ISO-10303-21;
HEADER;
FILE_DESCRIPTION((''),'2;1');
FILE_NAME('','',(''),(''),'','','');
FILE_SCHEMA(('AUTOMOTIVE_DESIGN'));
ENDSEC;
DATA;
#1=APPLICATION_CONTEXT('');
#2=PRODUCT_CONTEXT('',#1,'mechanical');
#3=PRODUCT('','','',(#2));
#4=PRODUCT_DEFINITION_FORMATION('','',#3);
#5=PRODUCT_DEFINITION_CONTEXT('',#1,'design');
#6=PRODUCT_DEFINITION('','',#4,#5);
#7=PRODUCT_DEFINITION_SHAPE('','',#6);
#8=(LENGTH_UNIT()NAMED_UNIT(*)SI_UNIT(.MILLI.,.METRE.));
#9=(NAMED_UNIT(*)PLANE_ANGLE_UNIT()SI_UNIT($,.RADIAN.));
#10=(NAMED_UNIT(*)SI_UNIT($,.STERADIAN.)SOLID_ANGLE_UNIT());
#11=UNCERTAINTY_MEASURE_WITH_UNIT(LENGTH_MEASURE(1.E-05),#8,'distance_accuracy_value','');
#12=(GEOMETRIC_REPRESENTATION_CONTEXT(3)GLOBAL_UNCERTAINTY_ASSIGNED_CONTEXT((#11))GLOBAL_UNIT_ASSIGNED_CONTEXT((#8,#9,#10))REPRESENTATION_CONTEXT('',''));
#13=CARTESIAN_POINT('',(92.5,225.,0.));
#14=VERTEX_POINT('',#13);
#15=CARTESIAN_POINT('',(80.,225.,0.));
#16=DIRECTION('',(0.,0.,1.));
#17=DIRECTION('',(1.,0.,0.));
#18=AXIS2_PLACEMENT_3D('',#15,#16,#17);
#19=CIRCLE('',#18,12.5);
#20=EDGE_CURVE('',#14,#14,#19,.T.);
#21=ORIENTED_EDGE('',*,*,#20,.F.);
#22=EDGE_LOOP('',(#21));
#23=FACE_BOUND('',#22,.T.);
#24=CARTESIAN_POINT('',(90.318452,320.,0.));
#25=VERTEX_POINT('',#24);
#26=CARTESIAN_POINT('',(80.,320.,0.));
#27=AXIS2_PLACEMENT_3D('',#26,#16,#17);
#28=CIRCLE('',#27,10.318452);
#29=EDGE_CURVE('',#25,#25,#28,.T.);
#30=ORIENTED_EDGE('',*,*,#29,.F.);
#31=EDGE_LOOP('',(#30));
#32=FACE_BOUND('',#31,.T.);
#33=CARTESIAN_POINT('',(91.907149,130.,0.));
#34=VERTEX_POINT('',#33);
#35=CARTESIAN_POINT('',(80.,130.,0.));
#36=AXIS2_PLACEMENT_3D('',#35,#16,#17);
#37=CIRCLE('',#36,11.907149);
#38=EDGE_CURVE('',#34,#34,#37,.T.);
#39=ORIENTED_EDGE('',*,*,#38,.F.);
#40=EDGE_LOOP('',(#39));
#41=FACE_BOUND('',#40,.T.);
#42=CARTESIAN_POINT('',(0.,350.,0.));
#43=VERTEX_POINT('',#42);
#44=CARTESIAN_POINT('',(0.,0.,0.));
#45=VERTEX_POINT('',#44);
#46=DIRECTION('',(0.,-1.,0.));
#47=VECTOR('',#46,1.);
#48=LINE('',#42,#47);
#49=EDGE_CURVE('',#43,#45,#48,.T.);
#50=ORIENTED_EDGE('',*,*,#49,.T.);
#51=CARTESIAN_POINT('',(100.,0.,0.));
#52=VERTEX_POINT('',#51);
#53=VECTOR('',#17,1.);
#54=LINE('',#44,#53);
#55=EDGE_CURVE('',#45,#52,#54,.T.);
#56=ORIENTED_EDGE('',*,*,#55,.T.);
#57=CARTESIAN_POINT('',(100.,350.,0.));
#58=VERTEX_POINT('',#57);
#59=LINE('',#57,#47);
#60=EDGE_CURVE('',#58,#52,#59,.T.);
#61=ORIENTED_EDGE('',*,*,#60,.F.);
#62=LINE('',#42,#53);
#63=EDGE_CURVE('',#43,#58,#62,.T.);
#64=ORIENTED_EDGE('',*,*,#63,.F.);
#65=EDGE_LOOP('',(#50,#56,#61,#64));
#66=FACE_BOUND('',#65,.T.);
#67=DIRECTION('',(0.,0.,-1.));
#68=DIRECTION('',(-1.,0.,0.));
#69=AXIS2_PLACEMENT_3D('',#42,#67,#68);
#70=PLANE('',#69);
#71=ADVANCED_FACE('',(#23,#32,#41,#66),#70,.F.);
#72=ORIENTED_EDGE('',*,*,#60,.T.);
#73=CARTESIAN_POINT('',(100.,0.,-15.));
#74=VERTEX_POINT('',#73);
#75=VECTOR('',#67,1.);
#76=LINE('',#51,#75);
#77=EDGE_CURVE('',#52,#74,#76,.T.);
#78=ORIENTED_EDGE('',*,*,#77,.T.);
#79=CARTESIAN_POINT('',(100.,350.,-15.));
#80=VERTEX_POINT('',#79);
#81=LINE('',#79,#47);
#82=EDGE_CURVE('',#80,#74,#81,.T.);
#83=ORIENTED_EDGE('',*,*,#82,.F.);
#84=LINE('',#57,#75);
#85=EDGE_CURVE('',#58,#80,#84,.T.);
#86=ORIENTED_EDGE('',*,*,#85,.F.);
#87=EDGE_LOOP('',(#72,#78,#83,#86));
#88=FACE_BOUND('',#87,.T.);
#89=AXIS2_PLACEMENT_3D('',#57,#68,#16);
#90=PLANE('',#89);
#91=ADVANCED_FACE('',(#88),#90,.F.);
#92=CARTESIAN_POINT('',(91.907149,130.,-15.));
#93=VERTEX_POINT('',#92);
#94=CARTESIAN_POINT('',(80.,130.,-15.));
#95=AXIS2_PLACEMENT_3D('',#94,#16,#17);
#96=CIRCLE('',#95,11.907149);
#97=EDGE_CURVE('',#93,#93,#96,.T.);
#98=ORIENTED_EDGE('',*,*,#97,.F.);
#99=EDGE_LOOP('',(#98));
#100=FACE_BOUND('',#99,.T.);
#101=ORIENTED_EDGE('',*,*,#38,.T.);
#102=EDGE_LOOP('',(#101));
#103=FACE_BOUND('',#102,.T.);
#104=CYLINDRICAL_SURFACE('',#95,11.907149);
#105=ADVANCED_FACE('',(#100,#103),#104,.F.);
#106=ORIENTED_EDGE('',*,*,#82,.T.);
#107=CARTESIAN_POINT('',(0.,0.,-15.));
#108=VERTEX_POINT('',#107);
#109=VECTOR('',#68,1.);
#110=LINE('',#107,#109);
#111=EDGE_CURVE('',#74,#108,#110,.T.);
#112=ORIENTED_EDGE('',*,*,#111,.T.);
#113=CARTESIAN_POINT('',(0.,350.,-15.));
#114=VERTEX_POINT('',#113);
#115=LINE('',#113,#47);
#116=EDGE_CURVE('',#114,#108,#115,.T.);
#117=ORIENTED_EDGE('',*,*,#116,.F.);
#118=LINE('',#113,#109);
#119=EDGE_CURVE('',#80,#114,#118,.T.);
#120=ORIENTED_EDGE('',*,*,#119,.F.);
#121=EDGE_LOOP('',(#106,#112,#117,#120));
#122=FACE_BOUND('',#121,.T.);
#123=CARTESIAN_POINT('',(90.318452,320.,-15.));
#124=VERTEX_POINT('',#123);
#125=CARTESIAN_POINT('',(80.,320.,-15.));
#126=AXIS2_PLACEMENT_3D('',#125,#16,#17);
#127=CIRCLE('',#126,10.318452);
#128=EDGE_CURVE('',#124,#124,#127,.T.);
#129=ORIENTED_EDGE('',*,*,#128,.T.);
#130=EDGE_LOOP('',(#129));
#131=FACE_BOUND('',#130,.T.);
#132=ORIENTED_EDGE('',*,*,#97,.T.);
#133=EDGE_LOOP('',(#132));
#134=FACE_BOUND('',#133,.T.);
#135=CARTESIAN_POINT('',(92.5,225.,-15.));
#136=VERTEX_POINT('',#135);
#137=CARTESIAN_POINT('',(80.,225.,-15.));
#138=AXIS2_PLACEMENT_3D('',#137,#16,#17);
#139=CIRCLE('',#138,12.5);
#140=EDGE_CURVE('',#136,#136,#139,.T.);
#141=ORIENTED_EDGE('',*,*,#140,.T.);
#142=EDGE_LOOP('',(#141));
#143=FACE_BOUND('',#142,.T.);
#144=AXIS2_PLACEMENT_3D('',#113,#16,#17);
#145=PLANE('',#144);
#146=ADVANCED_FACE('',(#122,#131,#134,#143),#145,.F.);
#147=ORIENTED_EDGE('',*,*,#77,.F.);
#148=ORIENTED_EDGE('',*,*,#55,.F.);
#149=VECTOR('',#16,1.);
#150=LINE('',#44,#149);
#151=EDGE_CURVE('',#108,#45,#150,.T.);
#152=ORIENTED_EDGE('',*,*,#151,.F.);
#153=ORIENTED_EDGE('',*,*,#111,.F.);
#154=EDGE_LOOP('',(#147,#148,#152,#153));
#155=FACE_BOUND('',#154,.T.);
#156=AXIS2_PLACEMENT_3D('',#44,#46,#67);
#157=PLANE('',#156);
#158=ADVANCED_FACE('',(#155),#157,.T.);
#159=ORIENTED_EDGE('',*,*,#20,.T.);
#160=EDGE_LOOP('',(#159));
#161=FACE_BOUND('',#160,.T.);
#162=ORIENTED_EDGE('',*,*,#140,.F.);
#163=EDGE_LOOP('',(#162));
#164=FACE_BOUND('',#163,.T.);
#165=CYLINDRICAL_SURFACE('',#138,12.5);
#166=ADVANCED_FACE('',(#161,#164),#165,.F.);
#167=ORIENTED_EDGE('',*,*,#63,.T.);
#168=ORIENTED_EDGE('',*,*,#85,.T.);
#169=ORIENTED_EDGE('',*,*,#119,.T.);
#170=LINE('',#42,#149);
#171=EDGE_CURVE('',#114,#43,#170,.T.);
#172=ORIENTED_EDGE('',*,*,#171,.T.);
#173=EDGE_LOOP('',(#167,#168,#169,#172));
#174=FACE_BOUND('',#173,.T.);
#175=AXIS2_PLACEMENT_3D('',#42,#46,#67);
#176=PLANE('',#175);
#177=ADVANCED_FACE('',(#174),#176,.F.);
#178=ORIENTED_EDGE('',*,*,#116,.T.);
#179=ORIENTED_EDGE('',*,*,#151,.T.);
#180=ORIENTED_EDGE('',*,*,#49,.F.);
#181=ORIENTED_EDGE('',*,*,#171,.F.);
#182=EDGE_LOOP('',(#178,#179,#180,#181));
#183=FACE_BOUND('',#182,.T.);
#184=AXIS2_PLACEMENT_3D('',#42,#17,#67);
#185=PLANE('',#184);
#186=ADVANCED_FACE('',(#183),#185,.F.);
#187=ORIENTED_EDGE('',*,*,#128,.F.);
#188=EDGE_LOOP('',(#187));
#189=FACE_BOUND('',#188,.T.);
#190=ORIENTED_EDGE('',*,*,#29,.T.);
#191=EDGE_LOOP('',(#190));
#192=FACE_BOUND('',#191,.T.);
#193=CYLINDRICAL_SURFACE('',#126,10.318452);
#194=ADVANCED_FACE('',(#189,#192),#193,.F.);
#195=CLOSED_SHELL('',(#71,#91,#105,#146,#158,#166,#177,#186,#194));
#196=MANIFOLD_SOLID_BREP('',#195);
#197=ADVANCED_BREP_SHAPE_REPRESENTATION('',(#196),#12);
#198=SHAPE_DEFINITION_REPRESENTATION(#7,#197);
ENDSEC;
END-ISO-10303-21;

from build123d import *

# Parameters (mm, degrees)
SKETCH1_W           = 100
SKETCH1_H           = 15
BOSS_EXTRUDE1_DEPTH = 350
SKETCH2_R           = 12.5
CUT_EXTRUDE1_DEPTH  = 16
SKETCH3_R           = 10.318452201
SKETCH3_R_2         = 11.907148997
CUT_EXTRUDE2_DEPTH  = 16


with BuildPart() as part:
    # Sketch1 → Boss-Extrude1 (new body)
    with BuildSketch(Plane(origin=(0, 0, 0), x_dir=(1, 0, 0), z_dir=(0, 1, 0))):
        with Locations((50, 7.5)):
            Rectangle(SKETCH1_W, SKETCH1_H)
    extrude(amount=BOSS_EXTRUDE1_DEPTH)

    # Sketch2 → Cut-Extrude1 (cut, through all)
    with BuildSketch(Plane.XY):
        with Locations((80, 225)):
            Circle(SKETCH2_R)
    extrude(amount=-CUT_EXTRUDE1_DEPTH, mode=Mode.SUBTRACT)

    # Sketch3 → Cut-Extrude2 (cut, through all)
    with BuildSketch(Plane.XY):
        with Locations((80, 320)):
            Circle(SKETCH3_R)
        with Locations((80, 130)):
            Circle(SKETCH3_R_2)
    extrude(amount=-CUT_EXTRUDE2_DEPTH, mode=Mode.SUBTRACT)


solid = part.part
